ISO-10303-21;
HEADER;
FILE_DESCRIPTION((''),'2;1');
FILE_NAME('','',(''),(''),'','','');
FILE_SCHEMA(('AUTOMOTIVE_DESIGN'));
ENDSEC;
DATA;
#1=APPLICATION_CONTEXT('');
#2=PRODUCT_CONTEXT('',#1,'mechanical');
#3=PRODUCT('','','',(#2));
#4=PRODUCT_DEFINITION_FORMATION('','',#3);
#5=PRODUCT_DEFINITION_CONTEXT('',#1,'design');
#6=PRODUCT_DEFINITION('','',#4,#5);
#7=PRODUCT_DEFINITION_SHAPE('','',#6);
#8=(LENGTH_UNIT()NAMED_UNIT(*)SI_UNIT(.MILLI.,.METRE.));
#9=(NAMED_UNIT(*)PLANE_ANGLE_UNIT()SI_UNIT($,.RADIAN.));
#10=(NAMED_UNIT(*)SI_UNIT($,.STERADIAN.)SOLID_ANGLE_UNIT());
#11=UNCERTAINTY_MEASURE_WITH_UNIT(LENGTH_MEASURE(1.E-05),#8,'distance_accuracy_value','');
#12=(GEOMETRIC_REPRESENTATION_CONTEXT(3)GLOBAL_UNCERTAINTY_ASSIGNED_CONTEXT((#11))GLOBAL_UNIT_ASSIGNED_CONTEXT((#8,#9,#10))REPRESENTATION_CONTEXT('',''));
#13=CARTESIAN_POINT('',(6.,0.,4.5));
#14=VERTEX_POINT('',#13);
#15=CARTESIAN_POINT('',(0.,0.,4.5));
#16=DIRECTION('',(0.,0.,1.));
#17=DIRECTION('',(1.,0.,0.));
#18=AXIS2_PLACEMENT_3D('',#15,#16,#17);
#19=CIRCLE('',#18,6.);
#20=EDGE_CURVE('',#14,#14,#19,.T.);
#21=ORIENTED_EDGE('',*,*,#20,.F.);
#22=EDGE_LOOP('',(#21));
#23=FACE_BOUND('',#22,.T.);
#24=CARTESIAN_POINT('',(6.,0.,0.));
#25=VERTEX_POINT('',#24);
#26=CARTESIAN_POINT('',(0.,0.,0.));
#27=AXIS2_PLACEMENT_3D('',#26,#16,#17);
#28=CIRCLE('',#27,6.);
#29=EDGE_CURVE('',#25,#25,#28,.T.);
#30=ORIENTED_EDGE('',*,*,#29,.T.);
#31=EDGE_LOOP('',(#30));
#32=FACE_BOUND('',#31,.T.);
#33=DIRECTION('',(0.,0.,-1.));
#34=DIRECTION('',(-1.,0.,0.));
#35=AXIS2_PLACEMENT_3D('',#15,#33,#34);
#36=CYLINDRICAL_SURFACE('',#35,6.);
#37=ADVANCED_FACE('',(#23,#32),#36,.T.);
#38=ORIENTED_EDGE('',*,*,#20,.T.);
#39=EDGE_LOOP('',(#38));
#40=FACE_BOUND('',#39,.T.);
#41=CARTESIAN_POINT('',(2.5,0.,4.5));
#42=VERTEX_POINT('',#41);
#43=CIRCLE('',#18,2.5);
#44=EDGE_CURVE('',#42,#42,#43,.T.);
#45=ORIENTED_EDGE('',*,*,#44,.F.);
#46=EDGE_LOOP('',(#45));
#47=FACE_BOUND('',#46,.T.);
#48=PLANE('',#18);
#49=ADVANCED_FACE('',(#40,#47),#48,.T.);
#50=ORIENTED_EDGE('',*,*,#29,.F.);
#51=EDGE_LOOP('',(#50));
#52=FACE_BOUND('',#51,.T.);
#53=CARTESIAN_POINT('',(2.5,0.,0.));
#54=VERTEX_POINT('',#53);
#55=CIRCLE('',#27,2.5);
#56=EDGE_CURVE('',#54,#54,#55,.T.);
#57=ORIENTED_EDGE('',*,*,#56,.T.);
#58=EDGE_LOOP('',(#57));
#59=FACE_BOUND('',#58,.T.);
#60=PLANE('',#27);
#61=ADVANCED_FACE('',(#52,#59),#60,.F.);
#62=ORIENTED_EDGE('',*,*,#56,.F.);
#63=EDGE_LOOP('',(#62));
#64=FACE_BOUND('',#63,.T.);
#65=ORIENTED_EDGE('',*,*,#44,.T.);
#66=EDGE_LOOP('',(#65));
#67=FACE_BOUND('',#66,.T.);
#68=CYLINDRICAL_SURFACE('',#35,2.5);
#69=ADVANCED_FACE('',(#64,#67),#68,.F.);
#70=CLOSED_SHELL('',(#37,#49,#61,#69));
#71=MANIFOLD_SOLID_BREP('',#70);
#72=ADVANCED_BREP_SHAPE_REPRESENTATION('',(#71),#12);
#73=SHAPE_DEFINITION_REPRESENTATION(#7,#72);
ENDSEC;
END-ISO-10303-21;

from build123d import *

# Parameters (mm, degrees)
SKETCH_1_R      = 6
SKETCH_1_R_2    = 2.5
EXTRUDE_1_DEPTH = 4.5


with BuildPart() as part:
    # 草图1 → 凸台-拉伸1 (new body)
    with BuildSketch(Plane.XY):
        Circle(SKETCH_1_R)
        Circle(SKETCH_1_R_2, mode=Mode.SUBTRACT)
    extrude(amount=EXTRUDE_1_DEPTH)


solid = part.part
